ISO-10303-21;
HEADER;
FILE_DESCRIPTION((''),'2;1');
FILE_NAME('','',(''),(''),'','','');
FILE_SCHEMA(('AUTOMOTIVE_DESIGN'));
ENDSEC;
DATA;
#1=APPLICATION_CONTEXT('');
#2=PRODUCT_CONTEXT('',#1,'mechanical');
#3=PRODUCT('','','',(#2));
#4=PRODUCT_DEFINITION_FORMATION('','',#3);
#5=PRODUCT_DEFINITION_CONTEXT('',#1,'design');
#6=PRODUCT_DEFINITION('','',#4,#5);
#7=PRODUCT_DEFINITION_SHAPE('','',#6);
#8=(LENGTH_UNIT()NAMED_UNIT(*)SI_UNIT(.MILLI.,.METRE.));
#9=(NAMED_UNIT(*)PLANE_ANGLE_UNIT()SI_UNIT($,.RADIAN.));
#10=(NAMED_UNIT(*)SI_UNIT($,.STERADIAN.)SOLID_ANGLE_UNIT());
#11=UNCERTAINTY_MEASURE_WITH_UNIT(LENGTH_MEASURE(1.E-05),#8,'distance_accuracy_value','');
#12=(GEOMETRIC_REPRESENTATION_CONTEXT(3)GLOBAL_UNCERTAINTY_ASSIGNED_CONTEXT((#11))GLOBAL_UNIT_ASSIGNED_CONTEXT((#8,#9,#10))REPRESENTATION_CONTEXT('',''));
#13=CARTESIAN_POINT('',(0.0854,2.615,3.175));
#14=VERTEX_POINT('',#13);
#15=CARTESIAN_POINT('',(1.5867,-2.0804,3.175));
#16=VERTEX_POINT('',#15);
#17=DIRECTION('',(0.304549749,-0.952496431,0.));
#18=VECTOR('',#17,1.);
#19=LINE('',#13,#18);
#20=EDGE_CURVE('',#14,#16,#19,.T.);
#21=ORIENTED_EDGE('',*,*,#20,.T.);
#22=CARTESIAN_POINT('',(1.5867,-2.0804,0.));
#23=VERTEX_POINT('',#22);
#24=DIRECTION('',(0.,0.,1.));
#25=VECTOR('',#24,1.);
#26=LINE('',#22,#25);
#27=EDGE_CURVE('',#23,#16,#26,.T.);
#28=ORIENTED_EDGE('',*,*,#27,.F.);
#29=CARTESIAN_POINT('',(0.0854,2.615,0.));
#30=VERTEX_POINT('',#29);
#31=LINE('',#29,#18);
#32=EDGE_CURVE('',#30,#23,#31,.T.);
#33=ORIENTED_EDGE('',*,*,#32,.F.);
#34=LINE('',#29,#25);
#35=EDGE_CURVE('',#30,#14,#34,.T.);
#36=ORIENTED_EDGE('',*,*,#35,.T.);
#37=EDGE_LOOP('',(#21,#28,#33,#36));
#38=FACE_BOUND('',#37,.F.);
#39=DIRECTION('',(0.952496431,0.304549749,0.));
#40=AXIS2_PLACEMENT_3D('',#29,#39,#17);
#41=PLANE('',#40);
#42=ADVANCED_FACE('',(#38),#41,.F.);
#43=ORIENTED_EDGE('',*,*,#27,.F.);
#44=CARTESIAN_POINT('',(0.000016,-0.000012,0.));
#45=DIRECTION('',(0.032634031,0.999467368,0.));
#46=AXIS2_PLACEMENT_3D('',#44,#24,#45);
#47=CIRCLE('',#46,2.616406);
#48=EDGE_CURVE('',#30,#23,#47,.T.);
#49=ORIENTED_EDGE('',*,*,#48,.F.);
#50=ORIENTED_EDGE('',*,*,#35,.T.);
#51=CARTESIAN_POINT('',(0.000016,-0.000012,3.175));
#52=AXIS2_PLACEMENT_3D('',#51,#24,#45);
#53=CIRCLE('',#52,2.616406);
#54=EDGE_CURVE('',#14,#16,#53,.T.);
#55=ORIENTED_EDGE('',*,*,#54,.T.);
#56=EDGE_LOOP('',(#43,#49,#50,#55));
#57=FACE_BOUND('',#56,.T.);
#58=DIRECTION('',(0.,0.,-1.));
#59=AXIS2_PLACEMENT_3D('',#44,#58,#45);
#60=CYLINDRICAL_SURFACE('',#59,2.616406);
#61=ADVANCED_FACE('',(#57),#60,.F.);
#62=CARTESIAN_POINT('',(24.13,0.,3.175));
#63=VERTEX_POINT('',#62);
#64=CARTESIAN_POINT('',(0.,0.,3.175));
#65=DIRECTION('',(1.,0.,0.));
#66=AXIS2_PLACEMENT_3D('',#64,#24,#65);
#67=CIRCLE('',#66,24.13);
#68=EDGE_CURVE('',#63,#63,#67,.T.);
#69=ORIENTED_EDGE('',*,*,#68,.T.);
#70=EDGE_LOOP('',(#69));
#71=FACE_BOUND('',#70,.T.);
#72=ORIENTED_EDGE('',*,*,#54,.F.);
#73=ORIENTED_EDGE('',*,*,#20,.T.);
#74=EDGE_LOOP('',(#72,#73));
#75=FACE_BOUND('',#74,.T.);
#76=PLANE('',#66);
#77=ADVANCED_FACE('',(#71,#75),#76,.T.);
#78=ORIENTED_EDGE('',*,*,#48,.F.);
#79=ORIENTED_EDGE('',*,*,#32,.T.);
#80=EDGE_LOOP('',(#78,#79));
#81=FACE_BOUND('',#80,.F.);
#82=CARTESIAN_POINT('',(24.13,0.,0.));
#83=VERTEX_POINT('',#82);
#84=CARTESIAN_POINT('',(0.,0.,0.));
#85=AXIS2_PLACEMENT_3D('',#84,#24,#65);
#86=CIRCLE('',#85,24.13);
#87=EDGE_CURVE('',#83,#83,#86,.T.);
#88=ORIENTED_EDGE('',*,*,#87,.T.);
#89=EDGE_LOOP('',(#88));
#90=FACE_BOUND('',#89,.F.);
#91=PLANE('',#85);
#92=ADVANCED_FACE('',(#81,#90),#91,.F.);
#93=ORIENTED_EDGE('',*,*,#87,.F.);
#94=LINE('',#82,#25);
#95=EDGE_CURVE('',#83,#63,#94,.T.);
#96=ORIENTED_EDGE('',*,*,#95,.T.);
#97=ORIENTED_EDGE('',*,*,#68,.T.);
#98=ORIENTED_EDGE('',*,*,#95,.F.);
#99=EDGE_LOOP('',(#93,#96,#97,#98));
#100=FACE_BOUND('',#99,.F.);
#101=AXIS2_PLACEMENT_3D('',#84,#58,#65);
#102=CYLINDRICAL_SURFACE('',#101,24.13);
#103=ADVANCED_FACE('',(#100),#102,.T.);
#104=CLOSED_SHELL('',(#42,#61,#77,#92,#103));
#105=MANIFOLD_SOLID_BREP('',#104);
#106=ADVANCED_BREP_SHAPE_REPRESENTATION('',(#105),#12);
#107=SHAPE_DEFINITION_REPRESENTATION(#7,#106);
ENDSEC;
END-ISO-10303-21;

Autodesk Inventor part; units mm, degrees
ref_plane "YZ Plane" through (0, 0, 0) normal (1, 0, 0) x (0, 1, 0)
ref_plane "XZ Plane" through (0, 0, 0) normal (0, 1, 0) x (-1, 0, 0)
ref_plane "XY Plane" through (0, 0, 0) normal (0, 0, 1) x (1, 0, 0)
sketch "Sketch1" plane through (0, 0, 0) normal (0, 0, 1) x (1, 0, 0)
  arc A0 (0, 2.5) -> (1.4504, -2.0363) centre (0, 0) ccw construction
  line L0 (0, 2.5) -> (1.4504, -2.0363) construction
  arc A1 (0.0854, 2.615) -> (1.5867, -2.0804) centre (0, 0) ccw
  line L1 (0.0854, 2.615) -> (1.5867, -2.0804)
  circle A2 centre (0, 0) radius 24.13
  dimension "d0" = 48.26
extrude "Extrusion1" add sketch "Sketch1" along normal blind 3.175
properties part number "driveGearCap"
